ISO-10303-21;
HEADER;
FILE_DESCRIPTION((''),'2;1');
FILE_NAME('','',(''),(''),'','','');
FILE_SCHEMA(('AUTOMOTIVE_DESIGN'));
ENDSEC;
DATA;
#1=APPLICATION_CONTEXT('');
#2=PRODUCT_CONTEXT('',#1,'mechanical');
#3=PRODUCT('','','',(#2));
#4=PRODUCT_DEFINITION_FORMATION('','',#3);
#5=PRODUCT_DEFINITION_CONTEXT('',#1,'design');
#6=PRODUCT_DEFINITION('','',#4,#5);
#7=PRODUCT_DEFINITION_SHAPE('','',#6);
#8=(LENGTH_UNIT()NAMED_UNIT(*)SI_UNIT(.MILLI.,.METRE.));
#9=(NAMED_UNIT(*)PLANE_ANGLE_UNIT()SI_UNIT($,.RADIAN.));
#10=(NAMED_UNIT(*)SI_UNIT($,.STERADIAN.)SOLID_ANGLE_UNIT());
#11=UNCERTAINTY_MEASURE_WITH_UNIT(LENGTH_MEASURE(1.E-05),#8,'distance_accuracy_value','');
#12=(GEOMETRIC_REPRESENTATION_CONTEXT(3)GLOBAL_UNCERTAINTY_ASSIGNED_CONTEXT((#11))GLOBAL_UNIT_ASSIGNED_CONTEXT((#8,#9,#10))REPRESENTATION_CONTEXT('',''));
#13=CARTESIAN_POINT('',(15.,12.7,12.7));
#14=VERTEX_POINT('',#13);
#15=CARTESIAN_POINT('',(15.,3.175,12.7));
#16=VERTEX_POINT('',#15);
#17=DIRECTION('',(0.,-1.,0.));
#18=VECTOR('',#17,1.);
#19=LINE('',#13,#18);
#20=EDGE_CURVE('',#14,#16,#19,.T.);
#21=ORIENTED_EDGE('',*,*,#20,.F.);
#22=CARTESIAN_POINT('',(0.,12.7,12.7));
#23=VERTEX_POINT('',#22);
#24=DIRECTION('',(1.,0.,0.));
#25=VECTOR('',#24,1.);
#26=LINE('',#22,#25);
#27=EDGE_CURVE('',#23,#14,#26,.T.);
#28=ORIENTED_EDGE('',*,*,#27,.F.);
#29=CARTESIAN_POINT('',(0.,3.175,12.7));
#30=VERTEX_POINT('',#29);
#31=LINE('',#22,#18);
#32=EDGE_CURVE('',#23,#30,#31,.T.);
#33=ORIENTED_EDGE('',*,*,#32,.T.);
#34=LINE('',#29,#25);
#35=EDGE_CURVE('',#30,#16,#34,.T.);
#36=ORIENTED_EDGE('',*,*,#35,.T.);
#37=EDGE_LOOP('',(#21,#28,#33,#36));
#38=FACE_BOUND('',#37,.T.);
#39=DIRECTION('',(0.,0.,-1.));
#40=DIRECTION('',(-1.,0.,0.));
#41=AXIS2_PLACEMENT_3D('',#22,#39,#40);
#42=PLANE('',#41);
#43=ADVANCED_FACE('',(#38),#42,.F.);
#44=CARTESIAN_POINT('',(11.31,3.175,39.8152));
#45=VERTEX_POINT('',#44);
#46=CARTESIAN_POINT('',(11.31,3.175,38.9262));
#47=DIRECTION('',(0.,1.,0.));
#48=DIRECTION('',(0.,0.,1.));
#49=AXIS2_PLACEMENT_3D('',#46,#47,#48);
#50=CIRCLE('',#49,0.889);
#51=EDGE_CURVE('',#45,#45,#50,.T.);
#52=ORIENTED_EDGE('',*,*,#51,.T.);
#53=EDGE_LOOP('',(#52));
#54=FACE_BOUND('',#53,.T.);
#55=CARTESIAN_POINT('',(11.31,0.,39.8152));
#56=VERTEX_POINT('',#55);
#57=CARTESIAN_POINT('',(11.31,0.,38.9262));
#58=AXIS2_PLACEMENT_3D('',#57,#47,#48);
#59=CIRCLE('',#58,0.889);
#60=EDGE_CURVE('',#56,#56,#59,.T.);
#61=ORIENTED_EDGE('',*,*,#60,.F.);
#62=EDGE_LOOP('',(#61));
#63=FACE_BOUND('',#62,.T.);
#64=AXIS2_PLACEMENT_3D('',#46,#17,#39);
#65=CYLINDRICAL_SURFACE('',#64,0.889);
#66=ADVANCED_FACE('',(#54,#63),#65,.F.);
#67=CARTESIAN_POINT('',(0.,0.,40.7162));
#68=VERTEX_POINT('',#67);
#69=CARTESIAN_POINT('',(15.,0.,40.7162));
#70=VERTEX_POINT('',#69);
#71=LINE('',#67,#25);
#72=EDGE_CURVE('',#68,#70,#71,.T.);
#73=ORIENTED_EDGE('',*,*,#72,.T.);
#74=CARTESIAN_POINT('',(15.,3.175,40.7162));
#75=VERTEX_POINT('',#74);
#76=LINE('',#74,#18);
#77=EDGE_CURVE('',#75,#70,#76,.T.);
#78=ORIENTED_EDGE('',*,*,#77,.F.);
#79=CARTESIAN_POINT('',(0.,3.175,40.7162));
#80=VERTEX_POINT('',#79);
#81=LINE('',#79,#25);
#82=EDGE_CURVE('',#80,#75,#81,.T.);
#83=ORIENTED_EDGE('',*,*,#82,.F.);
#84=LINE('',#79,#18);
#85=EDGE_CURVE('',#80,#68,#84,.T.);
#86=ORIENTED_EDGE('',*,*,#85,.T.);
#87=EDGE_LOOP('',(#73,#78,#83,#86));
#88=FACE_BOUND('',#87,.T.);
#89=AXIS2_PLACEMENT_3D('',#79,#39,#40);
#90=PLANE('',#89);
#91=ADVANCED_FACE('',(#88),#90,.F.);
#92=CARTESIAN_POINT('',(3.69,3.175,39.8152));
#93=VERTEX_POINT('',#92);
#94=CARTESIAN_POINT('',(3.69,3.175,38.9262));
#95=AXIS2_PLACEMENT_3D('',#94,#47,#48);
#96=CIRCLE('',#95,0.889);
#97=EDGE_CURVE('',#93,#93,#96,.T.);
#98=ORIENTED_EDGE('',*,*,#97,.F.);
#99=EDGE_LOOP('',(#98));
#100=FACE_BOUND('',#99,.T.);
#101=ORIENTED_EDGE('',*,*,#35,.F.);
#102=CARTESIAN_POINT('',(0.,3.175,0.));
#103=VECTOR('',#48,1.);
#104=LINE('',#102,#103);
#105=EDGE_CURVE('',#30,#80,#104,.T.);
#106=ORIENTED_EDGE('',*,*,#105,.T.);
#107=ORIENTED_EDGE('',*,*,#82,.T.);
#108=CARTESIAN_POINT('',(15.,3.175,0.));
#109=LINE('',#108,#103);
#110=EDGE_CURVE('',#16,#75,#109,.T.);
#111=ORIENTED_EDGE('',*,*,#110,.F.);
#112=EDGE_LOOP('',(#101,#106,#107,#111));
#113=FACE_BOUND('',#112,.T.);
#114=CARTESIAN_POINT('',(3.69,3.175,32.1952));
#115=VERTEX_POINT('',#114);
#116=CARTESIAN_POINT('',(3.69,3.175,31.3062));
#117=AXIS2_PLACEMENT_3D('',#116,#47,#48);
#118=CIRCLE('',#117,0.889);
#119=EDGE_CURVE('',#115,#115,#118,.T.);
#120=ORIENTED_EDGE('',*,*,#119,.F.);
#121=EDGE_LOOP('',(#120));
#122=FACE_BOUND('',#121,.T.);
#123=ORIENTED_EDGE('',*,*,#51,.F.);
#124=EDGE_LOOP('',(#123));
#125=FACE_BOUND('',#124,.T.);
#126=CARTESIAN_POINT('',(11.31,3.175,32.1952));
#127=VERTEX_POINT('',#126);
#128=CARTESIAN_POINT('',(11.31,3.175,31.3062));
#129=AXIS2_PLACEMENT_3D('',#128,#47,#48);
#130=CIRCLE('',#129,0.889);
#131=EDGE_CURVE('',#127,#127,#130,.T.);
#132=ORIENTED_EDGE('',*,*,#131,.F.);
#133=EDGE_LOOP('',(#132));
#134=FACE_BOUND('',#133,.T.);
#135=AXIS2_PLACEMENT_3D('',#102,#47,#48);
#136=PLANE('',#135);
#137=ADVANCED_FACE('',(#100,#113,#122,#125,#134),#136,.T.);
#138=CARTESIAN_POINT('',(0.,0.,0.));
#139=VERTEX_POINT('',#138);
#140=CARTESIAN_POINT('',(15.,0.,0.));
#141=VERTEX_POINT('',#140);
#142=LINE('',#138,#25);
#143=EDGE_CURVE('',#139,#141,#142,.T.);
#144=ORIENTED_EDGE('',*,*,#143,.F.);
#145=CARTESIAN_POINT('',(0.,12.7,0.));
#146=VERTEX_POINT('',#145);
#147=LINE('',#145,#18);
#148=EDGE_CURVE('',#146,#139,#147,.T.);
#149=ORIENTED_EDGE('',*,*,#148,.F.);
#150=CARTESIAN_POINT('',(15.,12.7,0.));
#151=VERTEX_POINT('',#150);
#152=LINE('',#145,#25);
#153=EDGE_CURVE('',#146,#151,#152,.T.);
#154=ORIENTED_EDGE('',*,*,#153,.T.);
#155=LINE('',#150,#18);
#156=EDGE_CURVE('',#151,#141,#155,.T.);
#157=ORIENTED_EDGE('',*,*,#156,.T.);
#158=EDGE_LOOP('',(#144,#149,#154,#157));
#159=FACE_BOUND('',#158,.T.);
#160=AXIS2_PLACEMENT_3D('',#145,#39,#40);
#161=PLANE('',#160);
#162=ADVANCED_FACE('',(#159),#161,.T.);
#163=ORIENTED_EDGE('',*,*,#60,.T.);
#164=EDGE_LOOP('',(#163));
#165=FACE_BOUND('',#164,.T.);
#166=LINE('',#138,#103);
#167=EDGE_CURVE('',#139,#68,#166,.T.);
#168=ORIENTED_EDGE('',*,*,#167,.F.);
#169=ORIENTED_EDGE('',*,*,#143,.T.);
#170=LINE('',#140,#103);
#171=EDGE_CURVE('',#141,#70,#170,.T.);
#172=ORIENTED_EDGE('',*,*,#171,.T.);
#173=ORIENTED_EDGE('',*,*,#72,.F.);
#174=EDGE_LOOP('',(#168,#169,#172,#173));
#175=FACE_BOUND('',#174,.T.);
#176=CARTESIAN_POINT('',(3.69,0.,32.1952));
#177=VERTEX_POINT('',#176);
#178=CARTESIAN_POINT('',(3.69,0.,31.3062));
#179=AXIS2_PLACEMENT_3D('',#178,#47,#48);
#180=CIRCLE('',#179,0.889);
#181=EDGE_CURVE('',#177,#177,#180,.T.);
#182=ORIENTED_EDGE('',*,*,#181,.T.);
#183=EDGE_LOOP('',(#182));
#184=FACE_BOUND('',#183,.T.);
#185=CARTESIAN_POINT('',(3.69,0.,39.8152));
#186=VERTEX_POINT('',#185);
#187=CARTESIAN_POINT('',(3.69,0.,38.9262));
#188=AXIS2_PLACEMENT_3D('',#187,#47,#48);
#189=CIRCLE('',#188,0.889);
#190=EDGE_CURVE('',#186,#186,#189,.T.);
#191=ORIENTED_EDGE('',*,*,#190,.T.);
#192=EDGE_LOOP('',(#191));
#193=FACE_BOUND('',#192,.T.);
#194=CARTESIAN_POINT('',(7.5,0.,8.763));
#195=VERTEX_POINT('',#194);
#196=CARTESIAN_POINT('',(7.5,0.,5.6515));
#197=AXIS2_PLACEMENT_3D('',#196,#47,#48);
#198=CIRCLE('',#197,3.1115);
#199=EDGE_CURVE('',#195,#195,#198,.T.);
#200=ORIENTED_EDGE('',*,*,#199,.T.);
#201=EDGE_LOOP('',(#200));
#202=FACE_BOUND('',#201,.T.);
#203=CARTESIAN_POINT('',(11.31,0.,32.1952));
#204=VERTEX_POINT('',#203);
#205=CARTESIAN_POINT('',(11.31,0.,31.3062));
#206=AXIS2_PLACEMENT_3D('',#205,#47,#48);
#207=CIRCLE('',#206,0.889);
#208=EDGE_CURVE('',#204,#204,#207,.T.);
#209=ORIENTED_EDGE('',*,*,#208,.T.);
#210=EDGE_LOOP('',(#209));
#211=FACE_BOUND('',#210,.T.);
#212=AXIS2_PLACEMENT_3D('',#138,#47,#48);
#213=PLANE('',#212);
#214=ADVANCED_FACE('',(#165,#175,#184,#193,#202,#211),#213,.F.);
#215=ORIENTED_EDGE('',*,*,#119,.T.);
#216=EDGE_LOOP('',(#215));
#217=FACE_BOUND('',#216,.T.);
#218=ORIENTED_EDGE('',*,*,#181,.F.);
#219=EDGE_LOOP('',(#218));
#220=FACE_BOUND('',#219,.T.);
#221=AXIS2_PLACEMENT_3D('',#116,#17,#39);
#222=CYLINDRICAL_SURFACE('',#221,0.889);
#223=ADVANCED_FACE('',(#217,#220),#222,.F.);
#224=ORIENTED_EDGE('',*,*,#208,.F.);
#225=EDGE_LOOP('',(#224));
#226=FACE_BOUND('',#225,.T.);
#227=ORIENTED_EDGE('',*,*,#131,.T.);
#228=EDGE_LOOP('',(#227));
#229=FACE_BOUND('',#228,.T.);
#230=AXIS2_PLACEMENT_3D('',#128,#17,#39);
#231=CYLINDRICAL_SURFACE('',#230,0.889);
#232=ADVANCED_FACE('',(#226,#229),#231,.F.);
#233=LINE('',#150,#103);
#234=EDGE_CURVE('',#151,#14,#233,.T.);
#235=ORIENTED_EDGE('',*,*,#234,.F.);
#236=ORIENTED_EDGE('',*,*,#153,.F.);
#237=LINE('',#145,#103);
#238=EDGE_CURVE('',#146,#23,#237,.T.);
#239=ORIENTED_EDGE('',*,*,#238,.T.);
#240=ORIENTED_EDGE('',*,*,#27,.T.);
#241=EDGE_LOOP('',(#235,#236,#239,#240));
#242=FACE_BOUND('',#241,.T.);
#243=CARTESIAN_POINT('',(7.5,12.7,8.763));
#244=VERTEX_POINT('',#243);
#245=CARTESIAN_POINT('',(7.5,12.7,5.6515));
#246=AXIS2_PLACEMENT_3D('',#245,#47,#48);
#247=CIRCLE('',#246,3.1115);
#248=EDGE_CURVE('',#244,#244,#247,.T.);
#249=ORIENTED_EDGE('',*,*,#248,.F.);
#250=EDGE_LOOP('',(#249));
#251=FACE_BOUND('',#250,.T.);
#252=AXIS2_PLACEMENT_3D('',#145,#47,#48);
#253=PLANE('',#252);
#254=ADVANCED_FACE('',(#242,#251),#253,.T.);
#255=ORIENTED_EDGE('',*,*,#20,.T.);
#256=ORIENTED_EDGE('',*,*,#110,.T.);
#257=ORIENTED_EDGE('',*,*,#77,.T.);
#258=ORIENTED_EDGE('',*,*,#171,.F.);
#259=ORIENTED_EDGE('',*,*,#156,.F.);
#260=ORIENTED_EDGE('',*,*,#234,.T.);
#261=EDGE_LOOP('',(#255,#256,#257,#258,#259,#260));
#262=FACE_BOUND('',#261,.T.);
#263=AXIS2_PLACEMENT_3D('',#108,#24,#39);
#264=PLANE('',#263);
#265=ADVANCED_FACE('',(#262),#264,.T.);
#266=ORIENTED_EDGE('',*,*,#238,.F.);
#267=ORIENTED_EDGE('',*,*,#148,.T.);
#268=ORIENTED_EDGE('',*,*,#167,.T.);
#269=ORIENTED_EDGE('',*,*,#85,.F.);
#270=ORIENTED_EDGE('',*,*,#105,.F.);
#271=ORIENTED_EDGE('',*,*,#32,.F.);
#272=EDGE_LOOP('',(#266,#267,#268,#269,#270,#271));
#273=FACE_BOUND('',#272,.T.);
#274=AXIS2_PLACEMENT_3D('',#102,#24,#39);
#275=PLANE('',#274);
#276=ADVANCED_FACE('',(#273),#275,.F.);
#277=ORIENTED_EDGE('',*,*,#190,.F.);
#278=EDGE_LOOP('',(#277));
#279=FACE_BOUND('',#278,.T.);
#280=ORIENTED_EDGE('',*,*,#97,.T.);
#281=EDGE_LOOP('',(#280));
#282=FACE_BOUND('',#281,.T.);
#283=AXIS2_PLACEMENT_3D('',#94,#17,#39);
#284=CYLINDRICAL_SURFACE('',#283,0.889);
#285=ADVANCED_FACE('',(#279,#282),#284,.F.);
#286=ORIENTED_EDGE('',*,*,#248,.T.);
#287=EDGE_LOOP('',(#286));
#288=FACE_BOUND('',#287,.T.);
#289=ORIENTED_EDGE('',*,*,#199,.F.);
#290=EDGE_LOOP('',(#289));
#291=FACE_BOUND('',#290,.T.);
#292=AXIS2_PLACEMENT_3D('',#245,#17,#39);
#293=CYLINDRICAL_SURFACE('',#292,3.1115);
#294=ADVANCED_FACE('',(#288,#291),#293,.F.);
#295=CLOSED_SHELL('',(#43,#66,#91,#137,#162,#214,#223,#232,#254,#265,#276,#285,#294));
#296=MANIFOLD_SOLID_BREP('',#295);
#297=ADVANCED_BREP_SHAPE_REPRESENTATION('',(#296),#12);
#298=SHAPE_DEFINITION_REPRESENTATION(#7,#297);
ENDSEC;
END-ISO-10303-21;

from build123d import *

# Parameters (mm, degrees)
SKETCH1_W           = 15
SKETCH1_H           = 28.0162
SKETCH1_R           = 0.889
BOSS_EXTRUDE1_DEPTH = 3.175
SKETCH1_3_W         = 15
SKETCH1_3_H         = 12.7
SKETCH1_3_R         = 3.1115
BOSS_EXTRUDE2_DEPTH = 12.7


with BuildPart() as part:
    # Sketch1 → Boss-Extrude1 (new body)
    with BuildSketch(Plane(origin=(0, 0, 0), x_dir=(1, 0, 0), z_dir=(0, 1, 0))):
        with Locations((7.5, -26.7081)):
            Rectangle(SKETCH1_W, SKETCH1_H)
        with Locations((3.69, -38.9262)):
            Circle(SKETCH1_R, mode=Mode.SUBTRACT)
        with Locations((3.69, -31.3062)):
            Circle(SKETCH1_R, mode=Mode.SUBTRACT)
        with Locations((11.31, -38.9262)):
            Circle(SKETCH1_R, mode=Mode.SUBTRACT)
        with Locations((11.31, -31.3062)):
            Circle(SKETCH1_R, mode=Mode.SUBTRACT)
    extrude(amount=BOSS_EXTRUDE1_DEPTH)

    # Sketch1<3> → Boss-Extrude2 (add)
    with BuildSketch(Plane(origin=(0, 0, 0), x_dir=(1, 0, 0), z_dir=(0, 1, 0))):
        with Locations((7.5, -6.35)):
            Rectangle(SKETCH1_3_W, SKETCH1_3_H)
        with Locations((7.5, -5.6515)):
            Circle(SKETCH1_3_R, mode=Mode.SUBTRACT)
    extrude(amount=BOSS_EXTRUDE2_DEPTH)


solid = part.part
